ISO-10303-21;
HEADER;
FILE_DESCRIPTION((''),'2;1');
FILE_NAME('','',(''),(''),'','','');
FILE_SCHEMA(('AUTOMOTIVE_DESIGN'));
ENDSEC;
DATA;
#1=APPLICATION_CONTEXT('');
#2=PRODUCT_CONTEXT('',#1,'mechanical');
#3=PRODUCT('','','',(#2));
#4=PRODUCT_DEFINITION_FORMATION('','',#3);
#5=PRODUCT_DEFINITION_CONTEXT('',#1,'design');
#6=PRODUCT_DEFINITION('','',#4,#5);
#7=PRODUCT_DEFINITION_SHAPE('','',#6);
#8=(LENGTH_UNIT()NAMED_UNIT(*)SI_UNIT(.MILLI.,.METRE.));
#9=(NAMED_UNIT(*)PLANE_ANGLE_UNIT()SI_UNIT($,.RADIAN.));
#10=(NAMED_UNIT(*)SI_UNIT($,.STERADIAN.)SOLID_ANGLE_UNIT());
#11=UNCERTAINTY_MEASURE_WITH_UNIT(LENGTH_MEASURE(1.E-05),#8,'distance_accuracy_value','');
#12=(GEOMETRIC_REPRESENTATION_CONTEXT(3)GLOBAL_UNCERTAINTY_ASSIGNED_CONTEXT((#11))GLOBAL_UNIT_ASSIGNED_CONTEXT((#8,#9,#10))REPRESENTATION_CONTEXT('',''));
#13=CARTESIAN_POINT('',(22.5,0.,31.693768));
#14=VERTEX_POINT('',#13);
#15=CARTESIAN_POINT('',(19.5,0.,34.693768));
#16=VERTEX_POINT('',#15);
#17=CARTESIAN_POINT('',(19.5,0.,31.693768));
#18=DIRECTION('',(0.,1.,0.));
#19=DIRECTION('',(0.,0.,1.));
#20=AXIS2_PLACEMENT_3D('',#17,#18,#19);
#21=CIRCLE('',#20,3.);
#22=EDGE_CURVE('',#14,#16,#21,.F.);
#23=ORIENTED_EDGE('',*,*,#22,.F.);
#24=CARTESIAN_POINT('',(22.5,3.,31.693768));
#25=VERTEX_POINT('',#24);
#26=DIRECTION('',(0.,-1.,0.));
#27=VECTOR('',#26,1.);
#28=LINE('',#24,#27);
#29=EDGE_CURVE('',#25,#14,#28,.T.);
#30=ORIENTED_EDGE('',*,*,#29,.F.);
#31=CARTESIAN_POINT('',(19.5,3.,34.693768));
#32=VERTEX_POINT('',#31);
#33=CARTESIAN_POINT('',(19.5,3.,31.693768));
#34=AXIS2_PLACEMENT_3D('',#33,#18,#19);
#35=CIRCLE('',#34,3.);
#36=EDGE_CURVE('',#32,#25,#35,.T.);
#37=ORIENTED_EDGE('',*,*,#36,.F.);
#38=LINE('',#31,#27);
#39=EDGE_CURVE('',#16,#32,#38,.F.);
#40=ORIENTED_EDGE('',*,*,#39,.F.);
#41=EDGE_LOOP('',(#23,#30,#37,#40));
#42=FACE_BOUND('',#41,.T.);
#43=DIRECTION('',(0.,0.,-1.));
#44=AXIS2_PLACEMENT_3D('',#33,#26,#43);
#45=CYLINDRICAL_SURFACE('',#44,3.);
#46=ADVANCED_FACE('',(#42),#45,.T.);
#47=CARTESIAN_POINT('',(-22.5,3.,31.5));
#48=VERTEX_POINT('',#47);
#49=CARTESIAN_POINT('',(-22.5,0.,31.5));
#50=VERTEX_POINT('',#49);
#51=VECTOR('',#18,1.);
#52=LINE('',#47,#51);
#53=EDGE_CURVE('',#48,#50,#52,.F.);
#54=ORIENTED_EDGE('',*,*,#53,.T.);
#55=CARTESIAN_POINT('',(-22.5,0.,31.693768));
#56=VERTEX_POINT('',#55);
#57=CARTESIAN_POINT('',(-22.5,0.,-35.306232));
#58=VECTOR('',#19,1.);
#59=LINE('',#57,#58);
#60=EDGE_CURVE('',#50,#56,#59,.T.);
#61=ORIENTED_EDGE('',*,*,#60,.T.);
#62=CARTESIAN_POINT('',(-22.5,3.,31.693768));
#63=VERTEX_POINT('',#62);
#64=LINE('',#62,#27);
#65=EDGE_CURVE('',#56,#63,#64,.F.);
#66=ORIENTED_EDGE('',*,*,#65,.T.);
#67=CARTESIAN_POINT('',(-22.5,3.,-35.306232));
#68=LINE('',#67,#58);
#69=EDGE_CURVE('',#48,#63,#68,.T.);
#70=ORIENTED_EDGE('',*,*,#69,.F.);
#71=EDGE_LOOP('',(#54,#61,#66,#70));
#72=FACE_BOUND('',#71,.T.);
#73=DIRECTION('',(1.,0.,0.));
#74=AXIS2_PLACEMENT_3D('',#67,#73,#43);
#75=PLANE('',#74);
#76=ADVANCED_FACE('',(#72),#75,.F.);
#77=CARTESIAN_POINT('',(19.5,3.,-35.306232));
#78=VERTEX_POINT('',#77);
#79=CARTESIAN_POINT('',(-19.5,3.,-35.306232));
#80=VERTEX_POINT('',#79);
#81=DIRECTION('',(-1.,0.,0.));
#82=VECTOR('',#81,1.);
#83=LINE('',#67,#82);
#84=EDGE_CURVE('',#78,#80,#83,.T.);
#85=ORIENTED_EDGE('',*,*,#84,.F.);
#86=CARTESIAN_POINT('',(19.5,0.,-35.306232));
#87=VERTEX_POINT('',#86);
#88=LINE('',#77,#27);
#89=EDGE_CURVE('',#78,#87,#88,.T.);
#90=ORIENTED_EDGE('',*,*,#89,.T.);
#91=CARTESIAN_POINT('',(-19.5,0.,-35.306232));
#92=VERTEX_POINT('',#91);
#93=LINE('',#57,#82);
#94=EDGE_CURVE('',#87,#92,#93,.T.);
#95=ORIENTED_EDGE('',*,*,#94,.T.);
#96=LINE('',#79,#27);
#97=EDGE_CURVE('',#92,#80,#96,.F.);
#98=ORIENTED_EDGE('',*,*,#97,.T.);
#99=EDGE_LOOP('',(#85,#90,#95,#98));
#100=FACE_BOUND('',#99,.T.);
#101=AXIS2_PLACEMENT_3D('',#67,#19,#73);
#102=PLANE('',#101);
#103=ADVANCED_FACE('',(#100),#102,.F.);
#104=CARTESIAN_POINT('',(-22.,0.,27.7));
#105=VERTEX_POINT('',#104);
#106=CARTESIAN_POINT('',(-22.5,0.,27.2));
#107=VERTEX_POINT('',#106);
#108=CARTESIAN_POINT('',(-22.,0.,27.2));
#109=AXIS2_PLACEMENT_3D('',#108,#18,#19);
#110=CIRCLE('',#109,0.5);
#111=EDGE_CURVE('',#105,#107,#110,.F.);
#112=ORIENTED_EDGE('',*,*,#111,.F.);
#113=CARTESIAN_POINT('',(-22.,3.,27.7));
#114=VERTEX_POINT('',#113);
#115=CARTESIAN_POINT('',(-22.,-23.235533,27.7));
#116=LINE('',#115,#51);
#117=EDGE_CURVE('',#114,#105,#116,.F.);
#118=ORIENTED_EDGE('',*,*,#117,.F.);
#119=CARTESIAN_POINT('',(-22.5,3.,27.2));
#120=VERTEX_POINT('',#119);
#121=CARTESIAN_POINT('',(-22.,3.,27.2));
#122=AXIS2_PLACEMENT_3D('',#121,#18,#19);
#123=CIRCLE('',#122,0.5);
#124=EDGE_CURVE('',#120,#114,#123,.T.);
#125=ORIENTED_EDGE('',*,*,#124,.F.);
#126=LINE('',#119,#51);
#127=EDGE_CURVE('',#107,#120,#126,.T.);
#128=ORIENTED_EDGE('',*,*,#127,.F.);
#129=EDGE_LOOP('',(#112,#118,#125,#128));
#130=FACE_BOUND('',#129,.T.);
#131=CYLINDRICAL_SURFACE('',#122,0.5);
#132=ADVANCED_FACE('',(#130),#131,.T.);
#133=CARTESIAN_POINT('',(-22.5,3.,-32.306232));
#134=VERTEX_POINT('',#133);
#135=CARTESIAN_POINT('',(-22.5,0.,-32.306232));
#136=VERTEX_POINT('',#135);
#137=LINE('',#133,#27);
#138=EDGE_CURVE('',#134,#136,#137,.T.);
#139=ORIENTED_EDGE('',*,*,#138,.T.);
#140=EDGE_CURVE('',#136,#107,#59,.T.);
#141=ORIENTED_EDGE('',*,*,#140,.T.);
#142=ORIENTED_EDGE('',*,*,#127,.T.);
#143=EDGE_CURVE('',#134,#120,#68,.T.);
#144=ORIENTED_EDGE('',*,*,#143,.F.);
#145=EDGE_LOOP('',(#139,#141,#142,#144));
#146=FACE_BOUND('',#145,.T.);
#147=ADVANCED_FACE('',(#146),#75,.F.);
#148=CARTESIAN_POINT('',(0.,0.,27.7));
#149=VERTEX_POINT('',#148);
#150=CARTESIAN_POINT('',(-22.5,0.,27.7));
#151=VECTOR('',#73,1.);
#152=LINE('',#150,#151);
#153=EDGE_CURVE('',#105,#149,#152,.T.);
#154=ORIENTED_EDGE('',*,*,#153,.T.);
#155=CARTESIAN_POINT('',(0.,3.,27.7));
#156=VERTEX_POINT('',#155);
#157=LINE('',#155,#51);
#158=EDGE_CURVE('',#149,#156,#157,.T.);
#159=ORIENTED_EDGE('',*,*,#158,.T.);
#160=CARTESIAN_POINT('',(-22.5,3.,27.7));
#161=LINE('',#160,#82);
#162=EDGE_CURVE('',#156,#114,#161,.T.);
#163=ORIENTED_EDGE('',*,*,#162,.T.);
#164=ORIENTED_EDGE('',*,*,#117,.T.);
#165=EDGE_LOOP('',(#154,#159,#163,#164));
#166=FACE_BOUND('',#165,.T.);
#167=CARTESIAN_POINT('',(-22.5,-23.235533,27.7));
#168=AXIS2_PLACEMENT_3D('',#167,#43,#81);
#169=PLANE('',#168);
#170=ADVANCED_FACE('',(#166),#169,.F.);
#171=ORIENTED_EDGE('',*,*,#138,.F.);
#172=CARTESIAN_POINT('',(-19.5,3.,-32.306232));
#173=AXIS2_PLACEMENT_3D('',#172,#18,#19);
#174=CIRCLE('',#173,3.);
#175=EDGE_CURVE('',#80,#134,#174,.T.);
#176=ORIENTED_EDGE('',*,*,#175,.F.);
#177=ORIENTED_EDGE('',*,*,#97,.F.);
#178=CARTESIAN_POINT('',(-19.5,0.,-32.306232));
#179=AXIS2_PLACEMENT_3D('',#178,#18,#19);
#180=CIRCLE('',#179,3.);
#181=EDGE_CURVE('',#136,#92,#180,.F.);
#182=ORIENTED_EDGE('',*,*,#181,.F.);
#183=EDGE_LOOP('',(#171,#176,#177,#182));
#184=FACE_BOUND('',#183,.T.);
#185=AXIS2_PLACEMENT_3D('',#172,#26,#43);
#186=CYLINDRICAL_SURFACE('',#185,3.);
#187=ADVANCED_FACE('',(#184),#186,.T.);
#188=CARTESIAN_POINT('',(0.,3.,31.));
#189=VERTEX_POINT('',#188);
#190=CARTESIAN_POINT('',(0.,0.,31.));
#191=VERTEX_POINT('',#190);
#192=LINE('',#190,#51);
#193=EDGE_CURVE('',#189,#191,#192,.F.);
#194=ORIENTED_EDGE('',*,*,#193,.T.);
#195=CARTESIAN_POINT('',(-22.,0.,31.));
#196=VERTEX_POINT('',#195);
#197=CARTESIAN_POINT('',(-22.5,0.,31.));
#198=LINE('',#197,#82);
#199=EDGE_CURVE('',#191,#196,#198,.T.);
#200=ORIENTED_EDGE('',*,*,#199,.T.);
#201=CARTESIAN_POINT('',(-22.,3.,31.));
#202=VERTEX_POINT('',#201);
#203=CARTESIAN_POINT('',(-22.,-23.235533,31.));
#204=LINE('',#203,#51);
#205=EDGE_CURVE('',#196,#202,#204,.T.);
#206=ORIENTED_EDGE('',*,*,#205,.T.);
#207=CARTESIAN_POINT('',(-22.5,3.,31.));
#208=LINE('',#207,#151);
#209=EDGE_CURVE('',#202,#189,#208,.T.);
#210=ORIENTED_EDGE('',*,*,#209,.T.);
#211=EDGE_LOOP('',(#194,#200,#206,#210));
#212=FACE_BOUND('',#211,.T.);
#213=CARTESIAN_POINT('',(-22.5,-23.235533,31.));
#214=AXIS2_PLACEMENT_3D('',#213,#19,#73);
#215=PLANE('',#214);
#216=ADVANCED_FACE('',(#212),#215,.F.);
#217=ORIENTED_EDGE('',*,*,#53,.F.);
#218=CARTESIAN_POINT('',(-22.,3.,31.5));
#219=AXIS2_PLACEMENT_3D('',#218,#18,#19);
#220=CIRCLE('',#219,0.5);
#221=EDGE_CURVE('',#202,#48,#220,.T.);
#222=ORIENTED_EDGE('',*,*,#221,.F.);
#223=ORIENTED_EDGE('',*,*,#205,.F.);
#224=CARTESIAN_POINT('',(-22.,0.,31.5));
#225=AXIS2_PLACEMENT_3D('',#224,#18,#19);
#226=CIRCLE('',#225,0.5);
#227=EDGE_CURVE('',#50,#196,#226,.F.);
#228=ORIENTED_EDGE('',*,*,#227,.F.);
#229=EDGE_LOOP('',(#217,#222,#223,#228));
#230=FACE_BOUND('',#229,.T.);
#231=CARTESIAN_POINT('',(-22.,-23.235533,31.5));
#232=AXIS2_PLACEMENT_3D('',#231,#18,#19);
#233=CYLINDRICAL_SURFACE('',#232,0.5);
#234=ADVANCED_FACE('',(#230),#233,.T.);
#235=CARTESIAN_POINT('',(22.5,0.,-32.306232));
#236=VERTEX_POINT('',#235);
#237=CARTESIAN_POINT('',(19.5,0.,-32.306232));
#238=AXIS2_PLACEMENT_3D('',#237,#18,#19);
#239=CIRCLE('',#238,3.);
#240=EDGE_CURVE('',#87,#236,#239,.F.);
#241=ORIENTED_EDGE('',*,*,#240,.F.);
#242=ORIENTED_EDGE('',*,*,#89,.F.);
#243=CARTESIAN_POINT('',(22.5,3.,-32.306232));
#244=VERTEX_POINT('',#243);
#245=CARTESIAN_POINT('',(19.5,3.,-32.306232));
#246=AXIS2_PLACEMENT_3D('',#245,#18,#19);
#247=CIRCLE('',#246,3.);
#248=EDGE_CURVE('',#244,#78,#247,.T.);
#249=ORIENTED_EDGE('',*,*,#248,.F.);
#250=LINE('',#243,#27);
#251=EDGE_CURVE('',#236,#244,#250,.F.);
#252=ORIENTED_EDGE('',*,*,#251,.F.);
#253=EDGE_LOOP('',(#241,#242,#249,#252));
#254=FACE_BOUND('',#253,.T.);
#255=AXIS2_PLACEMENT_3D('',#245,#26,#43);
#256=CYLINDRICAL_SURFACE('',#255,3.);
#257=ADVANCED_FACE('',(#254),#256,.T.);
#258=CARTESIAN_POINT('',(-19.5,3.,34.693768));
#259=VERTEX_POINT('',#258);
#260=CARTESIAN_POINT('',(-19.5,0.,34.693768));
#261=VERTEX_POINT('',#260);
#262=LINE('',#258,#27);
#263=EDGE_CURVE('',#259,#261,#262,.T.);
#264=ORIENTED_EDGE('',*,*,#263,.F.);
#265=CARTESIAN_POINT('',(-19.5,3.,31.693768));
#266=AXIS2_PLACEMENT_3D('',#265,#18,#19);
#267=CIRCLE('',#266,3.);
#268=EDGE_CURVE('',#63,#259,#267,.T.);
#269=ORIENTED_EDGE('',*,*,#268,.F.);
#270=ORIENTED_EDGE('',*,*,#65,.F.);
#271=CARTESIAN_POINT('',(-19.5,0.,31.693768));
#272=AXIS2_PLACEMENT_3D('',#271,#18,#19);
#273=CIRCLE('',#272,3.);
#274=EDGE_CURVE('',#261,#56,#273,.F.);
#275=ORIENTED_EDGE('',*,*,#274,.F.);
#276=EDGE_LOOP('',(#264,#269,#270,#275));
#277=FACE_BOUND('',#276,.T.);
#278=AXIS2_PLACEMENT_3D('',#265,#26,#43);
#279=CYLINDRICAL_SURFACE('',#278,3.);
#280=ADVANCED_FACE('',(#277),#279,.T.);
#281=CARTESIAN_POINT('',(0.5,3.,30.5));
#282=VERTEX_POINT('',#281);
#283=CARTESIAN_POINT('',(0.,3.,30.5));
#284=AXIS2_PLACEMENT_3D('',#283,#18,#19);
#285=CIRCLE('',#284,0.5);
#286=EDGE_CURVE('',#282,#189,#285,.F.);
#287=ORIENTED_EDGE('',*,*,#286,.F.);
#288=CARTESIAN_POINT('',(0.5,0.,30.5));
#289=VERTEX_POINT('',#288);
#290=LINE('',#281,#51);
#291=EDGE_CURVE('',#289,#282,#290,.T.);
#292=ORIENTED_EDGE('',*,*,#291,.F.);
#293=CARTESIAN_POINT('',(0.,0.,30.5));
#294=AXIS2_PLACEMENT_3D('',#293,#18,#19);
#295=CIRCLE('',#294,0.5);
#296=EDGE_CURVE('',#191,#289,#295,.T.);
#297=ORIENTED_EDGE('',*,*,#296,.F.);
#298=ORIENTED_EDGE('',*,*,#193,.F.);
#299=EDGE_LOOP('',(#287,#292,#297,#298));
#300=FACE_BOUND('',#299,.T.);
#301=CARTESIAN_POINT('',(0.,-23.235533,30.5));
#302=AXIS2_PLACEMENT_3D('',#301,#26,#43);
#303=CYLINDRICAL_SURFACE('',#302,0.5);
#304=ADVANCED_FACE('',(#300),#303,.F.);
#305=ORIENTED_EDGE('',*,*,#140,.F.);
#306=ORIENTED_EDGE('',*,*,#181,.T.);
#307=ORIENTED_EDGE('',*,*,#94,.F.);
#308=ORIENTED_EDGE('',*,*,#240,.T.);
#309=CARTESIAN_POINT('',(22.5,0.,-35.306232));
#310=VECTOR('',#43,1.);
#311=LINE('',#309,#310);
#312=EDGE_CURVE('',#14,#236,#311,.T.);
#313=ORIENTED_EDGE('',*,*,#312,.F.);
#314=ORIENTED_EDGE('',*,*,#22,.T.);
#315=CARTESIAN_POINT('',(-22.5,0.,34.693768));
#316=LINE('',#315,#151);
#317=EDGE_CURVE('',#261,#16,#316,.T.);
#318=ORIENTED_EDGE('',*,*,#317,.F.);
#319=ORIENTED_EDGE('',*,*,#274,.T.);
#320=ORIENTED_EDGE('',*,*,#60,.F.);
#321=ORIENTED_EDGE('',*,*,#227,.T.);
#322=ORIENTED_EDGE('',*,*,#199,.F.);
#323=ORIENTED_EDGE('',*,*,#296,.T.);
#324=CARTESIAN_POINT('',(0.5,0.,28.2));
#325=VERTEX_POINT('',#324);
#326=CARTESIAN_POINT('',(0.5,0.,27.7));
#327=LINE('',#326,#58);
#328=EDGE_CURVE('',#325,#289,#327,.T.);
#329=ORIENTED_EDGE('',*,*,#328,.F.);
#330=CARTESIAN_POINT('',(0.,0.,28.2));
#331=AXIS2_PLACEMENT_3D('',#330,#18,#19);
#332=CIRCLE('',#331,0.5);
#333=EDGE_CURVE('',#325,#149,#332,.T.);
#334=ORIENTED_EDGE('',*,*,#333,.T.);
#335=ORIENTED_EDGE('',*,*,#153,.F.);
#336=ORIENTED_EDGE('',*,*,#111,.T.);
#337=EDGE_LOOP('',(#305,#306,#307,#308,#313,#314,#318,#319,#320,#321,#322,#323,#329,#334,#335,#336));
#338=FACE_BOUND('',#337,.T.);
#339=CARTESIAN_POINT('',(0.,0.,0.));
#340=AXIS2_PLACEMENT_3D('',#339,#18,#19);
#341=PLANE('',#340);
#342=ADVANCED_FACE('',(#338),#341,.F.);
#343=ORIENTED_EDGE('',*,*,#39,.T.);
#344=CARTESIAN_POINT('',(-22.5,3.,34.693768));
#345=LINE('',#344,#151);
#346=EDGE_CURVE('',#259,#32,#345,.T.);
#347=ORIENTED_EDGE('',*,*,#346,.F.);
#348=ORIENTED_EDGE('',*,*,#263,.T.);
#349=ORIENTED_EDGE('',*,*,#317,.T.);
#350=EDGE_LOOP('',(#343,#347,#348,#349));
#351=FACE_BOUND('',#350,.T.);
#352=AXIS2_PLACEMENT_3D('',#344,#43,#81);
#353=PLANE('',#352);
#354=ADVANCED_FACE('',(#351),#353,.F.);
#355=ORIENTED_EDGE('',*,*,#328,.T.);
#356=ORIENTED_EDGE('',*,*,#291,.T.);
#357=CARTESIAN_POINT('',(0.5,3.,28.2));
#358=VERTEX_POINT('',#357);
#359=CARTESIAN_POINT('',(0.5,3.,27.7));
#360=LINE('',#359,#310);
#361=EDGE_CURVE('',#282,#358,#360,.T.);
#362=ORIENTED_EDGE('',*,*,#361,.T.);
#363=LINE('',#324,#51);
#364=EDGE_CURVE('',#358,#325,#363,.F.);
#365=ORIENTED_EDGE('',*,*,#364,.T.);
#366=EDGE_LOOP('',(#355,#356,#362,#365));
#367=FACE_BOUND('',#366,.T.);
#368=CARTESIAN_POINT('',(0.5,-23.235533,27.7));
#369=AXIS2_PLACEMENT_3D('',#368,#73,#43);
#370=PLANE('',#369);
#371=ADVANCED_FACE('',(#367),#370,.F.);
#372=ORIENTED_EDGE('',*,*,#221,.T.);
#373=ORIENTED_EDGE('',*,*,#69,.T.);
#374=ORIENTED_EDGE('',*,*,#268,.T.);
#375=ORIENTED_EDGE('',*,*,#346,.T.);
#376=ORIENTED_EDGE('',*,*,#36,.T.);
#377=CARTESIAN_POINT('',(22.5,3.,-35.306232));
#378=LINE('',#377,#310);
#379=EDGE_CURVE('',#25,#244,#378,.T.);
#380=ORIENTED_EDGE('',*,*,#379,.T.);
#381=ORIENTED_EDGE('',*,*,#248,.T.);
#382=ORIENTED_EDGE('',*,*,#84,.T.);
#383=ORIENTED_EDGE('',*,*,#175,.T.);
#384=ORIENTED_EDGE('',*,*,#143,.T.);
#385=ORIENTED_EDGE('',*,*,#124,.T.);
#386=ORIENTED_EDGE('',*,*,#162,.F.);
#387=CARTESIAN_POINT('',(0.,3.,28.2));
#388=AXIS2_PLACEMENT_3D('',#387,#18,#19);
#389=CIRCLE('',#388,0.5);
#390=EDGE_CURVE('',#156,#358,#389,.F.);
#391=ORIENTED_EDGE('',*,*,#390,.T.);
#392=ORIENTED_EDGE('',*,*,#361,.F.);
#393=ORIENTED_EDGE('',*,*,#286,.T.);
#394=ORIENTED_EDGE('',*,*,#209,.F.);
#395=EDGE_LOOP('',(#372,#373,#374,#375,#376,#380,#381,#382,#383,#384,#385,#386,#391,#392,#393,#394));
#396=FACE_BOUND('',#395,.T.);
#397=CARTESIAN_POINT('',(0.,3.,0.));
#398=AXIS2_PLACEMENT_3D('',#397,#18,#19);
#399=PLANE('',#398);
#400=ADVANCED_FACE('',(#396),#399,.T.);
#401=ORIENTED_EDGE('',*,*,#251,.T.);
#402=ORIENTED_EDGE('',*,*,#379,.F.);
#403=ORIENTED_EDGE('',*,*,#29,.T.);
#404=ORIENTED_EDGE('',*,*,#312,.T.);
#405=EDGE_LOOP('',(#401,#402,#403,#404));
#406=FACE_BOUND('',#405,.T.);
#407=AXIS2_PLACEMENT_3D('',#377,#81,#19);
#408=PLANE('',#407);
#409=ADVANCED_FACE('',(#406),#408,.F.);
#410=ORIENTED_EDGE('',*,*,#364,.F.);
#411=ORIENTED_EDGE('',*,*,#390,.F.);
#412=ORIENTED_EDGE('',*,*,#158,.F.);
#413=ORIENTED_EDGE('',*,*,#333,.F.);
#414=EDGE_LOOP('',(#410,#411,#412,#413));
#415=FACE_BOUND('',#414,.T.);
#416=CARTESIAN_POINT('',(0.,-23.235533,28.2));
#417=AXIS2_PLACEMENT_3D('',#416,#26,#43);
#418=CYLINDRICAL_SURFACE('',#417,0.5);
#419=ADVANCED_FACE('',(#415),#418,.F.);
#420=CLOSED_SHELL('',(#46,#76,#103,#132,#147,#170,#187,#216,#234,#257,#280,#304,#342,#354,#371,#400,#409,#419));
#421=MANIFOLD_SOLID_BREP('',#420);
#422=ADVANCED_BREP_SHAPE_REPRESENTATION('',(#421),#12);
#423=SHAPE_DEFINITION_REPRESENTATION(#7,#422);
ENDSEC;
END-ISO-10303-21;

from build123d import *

# Parameters (mm, degrees)
CROQUIS1_W              = 45
CROQUIS1_H              = 70
SALIENTE_EXTRUIR1_DEPTH = 3
CROQUIS2_W              = 23
CROQUIS2_H              = 3.3
CORTAR_EXTRUIR1_DEPTH   = 3
REDONDEO1_R             = 3
REDONDEO2_R             = 0.5


with BuildPart() as part:
    # Croquis1 → Saliente-Extruir1 (new body)
    with BuildSketch(Plane(origin=(0, 0, 0), x_dir=(1, 0, 0), z_dir=(0, 1, 0))):
        with Locations((0, 0.306231574)):
            Rectangle(CROQUIS1_W, CROQUIS1_H)
    extrude(amount=SALIENTE_EXTRUIR1_DEPTH)

    # Croquis2 → Cortar-Extruir1 (cut)
    with BuildSketch(Plane(origin=(0, 3, 0), x_dir=(1, 0, 0), z_dir=(0, 1, 0))):
        with Locations((-11, -29.35)):
            Rectangle(CROQUIS2_W, CROQUIS2_H)
    extrude(amount=-CORTAR_EXTRUIR1_DEPTH, mode=Mode.SUBTRACT)

    # Redondeo1
    redondeo1_edges = [part.edges().sort_by_distance(p)[0] for p in [
        (-22.5, 1.5, -35.306231574),
        (22.5, 1.5, -35.306231574),
        (22.5, 1.5, 34.693768426),
        (-22.5, 1.5, 34.693768426),
    ]]
    fillet(redondeo1_edges, radius=REDONDEO1_R)

    # Redondeo2
    redondeo2_edges = [part.edges().sort_by_distance(p)[0] for p in [
        (-22.5, 1.5, 31),
        (-22.5, 1.5, 27.7),
        (0.5, 1.5, 27.7),
        (0.5, 1.5, 31),
    ]]
    fillet(redondeo2_edges, radius=REDONDEO2_R)


solid = part.part
